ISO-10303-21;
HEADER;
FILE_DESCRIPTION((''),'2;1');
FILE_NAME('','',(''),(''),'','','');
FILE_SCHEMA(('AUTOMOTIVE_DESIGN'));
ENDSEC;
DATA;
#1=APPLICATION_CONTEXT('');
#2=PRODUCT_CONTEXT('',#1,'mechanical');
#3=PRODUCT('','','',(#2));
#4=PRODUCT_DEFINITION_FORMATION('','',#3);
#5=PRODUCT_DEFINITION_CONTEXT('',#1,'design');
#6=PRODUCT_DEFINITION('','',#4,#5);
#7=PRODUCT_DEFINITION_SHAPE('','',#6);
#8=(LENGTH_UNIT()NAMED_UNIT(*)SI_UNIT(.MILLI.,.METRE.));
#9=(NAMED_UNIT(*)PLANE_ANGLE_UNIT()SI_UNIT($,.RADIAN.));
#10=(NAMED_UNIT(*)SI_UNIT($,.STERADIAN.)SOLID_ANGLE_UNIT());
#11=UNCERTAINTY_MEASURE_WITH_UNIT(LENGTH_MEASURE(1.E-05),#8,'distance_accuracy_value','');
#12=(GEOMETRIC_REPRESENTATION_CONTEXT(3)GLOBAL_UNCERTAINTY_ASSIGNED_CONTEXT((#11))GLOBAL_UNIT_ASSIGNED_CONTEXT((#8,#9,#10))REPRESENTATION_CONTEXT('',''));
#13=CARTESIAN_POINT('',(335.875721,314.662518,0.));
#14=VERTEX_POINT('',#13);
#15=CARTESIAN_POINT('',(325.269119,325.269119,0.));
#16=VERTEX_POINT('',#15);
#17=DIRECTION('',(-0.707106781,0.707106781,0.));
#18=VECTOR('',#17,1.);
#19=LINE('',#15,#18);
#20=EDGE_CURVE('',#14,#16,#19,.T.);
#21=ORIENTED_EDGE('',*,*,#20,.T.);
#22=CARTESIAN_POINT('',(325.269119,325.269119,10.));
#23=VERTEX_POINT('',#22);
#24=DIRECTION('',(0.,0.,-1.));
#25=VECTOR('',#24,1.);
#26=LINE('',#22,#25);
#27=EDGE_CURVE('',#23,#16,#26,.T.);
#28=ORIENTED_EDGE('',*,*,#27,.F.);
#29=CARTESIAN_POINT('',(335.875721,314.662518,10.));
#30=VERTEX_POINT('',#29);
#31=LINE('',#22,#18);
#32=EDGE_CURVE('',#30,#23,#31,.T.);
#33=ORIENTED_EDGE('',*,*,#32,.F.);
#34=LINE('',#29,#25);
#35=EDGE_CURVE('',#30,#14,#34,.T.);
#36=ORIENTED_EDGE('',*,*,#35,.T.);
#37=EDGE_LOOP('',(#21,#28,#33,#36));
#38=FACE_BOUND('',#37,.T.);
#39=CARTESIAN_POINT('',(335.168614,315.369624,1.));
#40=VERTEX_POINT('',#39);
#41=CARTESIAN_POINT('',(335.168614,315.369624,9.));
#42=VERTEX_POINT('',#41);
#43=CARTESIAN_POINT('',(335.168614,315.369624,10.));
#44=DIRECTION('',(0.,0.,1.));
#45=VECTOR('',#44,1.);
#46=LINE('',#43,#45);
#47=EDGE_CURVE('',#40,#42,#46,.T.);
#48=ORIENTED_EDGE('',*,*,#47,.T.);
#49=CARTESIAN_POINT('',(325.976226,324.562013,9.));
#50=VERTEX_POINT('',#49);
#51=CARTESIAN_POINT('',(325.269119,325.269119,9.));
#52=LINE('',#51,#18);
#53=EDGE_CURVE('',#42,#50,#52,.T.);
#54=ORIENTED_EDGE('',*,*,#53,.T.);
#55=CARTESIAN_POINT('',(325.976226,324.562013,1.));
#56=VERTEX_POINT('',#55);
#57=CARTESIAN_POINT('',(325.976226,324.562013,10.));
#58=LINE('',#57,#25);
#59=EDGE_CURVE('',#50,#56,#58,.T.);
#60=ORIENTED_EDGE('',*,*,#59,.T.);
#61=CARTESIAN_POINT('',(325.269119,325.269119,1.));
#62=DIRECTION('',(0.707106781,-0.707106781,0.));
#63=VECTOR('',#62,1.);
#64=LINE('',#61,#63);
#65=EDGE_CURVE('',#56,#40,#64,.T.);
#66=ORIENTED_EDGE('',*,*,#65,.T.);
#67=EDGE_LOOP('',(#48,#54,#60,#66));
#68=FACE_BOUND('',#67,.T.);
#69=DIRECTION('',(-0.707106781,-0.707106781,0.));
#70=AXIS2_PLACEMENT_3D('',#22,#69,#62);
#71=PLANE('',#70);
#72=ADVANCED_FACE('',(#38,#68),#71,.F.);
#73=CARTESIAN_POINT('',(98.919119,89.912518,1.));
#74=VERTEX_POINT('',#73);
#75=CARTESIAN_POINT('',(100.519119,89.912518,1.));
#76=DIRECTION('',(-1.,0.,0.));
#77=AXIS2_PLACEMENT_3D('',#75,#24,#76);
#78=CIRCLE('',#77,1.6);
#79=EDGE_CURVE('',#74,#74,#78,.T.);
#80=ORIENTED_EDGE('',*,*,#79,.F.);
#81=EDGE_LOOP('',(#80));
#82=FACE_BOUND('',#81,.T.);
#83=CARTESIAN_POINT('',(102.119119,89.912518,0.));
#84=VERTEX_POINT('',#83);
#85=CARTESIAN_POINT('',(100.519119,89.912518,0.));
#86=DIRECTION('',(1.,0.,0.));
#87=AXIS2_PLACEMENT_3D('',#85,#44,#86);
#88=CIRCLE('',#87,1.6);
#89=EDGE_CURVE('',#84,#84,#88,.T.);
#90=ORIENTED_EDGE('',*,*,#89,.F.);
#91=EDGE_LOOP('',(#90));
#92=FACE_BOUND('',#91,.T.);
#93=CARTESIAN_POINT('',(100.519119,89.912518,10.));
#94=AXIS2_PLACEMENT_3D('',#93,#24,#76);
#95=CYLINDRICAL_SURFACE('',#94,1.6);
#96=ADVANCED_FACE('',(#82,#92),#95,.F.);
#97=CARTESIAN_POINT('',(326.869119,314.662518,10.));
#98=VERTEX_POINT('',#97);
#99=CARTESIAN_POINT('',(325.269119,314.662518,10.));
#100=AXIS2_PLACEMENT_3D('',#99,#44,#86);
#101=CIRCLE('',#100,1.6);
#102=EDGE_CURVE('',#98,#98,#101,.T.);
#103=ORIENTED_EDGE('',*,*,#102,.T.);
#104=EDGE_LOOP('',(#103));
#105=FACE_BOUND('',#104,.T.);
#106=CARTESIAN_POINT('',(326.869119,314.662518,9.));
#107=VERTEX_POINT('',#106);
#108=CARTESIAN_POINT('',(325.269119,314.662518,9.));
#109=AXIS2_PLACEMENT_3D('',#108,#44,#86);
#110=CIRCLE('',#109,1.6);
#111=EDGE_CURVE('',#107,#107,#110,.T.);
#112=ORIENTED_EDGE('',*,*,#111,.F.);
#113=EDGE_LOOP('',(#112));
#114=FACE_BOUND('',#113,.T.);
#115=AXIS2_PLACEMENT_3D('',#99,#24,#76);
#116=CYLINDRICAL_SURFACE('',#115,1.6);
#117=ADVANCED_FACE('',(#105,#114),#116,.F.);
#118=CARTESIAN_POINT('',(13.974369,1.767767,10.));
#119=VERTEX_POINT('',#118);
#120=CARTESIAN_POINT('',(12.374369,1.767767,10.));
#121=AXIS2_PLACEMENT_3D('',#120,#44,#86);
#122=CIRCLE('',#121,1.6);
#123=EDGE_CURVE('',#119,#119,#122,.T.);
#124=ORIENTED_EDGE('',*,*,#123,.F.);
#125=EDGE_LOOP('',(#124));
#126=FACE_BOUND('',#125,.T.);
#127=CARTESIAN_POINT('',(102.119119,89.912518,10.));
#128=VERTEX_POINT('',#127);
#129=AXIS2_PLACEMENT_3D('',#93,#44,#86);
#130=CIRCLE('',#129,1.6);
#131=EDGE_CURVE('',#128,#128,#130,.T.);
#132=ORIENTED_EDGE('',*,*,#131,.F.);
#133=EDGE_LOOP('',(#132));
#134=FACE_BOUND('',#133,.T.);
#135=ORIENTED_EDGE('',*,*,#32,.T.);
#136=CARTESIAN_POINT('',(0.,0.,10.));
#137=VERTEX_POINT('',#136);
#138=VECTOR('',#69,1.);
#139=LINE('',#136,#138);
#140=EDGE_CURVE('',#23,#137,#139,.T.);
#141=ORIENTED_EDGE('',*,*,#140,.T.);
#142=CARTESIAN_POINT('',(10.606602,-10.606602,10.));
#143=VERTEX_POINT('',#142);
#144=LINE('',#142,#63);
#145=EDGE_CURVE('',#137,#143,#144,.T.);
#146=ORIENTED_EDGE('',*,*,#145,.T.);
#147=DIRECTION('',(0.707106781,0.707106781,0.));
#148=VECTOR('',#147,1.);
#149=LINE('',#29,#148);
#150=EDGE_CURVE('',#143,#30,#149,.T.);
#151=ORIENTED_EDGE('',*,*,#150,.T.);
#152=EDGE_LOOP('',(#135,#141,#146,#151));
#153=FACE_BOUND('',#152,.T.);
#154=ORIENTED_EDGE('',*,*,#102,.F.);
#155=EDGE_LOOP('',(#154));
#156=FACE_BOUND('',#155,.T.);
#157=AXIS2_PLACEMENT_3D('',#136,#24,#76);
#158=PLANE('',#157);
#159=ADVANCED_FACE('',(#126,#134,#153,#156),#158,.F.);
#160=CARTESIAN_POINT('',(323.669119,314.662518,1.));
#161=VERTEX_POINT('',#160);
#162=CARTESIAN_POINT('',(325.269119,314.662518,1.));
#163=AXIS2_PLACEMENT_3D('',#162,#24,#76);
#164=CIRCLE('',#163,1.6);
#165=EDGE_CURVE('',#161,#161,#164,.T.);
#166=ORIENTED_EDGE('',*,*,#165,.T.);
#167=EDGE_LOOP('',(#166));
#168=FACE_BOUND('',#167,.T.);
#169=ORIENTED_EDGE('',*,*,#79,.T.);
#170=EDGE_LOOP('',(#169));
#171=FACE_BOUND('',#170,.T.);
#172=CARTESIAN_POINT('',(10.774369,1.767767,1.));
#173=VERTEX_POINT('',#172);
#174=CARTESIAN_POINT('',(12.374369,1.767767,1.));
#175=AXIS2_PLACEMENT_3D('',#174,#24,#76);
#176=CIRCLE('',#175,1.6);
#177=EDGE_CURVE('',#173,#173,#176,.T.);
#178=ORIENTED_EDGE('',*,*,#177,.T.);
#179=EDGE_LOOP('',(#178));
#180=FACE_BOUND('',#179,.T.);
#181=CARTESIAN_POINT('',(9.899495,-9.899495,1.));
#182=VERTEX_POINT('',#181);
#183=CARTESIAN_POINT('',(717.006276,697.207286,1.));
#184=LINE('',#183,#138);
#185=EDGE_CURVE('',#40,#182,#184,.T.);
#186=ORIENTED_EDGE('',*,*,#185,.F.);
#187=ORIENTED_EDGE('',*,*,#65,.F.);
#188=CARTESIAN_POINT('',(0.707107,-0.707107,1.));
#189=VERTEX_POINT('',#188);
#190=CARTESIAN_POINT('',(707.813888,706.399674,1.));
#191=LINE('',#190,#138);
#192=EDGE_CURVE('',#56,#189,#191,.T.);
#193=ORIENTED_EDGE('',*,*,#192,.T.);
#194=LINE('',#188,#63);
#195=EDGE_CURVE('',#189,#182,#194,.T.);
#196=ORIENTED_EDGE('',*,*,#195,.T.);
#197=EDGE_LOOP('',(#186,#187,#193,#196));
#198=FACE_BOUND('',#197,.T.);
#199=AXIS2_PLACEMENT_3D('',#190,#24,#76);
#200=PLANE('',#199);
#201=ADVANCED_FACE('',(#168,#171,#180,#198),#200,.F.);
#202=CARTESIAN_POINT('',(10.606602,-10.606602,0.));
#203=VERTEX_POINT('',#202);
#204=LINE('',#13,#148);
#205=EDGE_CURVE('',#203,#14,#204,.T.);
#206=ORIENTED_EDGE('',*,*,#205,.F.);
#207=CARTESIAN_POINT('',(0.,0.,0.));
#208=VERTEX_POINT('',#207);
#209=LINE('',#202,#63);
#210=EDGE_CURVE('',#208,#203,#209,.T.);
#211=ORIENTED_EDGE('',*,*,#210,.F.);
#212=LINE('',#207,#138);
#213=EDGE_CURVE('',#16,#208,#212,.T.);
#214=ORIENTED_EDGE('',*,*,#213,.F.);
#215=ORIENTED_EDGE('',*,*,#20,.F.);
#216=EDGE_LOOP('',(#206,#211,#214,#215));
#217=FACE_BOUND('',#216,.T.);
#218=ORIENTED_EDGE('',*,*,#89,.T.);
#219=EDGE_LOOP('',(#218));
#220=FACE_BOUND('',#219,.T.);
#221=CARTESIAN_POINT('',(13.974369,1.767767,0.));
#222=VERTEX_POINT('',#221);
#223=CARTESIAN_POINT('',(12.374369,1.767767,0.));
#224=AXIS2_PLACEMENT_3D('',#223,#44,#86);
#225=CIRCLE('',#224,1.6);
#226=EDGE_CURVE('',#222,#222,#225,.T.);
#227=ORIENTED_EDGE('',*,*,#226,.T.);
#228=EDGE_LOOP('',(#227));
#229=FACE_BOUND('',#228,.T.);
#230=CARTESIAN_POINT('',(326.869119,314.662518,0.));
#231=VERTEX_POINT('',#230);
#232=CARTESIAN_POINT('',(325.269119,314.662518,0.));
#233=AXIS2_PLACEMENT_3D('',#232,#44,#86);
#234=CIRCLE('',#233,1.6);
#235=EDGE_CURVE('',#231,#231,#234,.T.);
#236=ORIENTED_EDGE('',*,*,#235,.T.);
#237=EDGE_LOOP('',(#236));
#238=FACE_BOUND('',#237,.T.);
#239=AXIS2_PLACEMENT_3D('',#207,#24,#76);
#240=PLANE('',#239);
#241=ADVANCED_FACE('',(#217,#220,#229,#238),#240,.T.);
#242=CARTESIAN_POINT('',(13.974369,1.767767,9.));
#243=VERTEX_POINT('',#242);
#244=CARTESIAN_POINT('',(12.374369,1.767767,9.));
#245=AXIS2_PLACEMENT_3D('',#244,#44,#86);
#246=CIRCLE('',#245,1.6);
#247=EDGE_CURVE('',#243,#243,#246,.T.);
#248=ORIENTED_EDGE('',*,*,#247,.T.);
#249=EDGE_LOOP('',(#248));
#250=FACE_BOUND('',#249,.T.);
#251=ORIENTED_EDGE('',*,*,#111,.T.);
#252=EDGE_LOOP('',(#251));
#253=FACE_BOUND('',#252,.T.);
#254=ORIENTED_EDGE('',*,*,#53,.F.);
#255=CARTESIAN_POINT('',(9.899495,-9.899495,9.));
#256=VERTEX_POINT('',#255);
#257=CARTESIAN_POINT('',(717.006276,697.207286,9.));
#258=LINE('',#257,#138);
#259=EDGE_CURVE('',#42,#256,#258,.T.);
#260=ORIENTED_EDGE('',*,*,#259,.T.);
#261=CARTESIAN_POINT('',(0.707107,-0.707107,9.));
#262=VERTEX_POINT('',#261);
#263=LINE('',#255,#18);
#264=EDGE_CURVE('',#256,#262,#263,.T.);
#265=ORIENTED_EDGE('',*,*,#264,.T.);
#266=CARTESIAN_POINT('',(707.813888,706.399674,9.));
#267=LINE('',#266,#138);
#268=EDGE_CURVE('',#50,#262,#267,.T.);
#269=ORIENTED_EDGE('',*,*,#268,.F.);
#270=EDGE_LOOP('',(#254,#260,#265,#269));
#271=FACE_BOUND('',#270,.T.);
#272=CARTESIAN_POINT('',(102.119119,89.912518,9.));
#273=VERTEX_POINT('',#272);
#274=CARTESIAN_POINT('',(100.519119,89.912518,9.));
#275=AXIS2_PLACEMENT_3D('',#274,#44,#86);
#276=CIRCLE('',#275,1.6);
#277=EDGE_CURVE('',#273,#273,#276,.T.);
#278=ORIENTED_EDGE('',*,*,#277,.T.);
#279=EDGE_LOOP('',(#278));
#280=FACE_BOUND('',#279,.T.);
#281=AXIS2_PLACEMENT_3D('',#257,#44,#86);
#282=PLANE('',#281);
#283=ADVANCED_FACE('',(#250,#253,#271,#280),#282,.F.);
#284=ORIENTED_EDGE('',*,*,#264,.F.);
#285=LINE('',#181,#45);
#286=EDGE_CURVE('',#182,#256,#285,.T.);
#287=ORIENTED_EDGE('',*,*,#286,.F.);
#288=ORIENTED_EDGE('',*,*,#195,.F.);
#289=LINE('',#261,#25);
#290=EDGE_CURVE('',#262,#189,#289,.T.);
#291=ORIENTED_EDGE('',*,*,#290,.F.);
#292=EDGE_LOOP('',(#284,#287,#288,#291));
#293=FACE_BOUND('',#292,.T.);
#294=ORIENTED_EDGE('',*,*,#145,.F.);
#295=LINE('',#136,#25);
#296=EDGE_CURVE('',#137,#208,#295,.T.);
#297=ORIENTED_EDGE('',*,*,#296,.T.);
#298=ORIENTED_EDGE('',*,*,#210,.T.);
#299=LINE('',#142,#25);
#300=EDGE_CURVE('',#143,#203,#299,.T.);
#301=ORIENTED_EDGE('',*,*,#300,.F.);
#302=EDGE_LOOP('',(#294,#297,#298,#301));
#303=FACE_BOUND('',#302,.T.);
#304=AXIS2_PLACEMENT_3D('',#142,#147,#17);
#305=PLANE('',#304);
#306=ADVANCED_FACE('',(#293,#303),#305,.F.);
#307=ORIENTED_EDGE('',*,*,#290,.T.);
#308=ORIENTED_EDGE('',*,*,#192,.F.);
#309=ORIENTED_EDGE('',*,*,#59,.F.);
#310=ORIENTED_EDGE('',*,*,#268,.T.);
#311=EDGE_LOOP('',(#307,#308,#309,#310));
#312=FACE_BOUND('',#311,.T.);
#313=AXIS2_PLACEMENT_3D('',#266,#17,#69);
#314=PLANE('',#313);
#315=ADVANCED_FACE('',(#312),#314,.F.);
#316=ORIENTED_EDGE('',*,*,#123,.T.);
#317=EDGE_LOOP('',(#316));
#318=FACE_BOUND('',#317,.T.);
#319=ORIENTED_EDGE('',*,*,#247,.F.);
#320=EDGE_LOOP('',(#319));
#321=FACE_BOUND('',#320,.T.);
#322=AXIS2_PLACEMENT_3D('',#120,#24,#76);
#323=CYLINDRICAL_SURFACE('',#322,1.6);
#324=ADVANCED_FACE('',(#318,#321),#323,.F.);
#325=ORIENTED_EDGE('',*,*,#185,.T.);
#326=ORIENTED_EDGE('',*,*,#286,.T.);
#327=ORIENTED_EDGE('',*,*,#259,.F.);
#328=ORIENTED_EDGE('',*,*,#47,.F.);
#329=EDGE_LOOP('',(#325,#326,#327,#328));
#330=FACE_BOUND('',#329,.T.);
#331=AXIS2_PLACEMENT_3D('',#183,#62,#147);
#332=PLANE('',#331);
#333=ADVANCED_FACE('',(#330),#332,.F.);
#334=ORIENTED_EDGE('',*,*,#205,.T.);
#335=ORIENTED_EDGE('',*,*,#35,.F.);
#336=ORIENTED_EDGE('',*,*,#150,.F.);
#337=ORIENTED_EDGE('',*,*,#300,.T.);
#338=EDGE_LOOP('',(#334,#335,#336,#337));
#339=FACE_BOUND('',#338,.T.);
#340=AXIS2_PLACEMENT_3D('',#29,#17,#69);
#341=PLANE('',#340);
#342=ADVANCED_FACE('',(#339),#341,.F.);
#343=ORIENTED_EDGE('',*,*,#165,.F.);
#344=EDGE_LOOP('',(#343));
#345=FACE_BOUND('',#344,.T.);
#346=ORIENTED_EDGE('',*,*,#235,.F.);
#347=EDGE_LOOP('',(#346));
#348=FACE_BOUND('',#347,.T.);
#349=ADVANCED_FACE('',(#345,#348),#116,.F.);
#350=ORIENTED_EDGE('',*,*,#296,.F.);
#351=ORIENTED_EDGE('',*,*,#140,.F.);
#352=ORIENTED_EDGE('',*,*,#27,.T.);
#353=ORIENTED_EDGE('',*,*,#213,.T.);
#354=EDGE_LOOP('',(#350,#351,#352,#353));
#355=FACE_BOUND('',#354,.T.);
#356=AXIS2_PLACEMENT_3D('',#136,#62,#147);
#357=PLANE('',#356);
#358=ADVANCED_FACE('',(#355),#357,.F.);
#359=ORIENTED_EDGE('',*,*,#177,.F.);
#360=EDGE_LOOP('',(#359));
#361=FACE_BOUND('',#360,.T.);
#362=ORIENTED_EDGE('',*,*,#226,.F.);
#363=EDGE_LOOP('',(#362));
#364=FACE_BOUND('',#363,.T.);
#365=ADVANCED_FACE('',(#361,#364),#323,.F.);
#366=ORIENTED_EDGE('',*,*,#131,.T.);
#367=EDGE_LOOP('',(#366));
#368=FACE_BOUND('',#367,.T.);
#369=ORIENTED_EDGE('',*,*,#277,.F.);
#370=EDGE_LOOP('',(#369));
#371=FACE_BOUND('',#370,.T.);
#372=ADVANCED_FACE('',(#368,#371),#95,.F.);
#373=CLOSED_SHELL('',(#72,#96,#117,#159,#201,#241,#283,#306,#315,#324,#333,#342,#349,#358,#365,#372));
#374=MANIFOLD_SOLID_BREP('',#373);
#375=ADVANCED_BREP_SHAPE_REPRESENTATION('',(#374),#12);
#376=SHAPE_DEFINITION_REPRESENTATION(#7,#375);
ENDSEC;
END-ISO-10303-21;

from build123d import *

# Parameters (mm, degrees)
SKETCH_1_R          = 1.6
EXTRUDE_1_DEPTH     = 10
SKETCH_2_W          = 8
SKETCH_2_H          = 13
CUT_EXTRUDE_1_DEPTH = 1000


with BuildPart() as part:
    # ｽｹｯﾁ1 → ﾎﾞｽ - 押し出し1 (new body)
    with BuildSketch(Plane.XY):
        Polygon((325.269119346, 325.269119346), (335.875721064, 314.662517628), (10.606601718, -10.606601718), (0, 0), align=None)
        with Locations((100.519119346, 89.912517628)):
            Circle(SKETCH_1_R, mode=Mode.SUBTRACT)
        with Locations((12.374368671, 1.767766953)):
            Circle(SKETCH_1_R, mode=Mode.SUBTRACT)
        with Locations((325.269119346, 314.662517628)):
            Circle(SKETCH_1_R, mode=Mode.SUBTRACT)
    extrude(amount=EXTRUDE_1_DEPTH)

    # ｽｹｯﾁ2 → ｶｯﾄ - 押し出し1 (cut)
    with BuildSketch(Plane(origin=(0, 0, 0), x_dir=(0, 0, 1), z_dir=(-0.7071067811865517, -0.7071067811865435, 0))):
        with Locations((5, -7.5)):
            Rectangle(SKETCH_2_W, SKETCH_2_H)
    extrude(amount=-CUT_EXTRUDE_1_DEPTH, mode=Mode.SUBTRACT)


solid = part.part
